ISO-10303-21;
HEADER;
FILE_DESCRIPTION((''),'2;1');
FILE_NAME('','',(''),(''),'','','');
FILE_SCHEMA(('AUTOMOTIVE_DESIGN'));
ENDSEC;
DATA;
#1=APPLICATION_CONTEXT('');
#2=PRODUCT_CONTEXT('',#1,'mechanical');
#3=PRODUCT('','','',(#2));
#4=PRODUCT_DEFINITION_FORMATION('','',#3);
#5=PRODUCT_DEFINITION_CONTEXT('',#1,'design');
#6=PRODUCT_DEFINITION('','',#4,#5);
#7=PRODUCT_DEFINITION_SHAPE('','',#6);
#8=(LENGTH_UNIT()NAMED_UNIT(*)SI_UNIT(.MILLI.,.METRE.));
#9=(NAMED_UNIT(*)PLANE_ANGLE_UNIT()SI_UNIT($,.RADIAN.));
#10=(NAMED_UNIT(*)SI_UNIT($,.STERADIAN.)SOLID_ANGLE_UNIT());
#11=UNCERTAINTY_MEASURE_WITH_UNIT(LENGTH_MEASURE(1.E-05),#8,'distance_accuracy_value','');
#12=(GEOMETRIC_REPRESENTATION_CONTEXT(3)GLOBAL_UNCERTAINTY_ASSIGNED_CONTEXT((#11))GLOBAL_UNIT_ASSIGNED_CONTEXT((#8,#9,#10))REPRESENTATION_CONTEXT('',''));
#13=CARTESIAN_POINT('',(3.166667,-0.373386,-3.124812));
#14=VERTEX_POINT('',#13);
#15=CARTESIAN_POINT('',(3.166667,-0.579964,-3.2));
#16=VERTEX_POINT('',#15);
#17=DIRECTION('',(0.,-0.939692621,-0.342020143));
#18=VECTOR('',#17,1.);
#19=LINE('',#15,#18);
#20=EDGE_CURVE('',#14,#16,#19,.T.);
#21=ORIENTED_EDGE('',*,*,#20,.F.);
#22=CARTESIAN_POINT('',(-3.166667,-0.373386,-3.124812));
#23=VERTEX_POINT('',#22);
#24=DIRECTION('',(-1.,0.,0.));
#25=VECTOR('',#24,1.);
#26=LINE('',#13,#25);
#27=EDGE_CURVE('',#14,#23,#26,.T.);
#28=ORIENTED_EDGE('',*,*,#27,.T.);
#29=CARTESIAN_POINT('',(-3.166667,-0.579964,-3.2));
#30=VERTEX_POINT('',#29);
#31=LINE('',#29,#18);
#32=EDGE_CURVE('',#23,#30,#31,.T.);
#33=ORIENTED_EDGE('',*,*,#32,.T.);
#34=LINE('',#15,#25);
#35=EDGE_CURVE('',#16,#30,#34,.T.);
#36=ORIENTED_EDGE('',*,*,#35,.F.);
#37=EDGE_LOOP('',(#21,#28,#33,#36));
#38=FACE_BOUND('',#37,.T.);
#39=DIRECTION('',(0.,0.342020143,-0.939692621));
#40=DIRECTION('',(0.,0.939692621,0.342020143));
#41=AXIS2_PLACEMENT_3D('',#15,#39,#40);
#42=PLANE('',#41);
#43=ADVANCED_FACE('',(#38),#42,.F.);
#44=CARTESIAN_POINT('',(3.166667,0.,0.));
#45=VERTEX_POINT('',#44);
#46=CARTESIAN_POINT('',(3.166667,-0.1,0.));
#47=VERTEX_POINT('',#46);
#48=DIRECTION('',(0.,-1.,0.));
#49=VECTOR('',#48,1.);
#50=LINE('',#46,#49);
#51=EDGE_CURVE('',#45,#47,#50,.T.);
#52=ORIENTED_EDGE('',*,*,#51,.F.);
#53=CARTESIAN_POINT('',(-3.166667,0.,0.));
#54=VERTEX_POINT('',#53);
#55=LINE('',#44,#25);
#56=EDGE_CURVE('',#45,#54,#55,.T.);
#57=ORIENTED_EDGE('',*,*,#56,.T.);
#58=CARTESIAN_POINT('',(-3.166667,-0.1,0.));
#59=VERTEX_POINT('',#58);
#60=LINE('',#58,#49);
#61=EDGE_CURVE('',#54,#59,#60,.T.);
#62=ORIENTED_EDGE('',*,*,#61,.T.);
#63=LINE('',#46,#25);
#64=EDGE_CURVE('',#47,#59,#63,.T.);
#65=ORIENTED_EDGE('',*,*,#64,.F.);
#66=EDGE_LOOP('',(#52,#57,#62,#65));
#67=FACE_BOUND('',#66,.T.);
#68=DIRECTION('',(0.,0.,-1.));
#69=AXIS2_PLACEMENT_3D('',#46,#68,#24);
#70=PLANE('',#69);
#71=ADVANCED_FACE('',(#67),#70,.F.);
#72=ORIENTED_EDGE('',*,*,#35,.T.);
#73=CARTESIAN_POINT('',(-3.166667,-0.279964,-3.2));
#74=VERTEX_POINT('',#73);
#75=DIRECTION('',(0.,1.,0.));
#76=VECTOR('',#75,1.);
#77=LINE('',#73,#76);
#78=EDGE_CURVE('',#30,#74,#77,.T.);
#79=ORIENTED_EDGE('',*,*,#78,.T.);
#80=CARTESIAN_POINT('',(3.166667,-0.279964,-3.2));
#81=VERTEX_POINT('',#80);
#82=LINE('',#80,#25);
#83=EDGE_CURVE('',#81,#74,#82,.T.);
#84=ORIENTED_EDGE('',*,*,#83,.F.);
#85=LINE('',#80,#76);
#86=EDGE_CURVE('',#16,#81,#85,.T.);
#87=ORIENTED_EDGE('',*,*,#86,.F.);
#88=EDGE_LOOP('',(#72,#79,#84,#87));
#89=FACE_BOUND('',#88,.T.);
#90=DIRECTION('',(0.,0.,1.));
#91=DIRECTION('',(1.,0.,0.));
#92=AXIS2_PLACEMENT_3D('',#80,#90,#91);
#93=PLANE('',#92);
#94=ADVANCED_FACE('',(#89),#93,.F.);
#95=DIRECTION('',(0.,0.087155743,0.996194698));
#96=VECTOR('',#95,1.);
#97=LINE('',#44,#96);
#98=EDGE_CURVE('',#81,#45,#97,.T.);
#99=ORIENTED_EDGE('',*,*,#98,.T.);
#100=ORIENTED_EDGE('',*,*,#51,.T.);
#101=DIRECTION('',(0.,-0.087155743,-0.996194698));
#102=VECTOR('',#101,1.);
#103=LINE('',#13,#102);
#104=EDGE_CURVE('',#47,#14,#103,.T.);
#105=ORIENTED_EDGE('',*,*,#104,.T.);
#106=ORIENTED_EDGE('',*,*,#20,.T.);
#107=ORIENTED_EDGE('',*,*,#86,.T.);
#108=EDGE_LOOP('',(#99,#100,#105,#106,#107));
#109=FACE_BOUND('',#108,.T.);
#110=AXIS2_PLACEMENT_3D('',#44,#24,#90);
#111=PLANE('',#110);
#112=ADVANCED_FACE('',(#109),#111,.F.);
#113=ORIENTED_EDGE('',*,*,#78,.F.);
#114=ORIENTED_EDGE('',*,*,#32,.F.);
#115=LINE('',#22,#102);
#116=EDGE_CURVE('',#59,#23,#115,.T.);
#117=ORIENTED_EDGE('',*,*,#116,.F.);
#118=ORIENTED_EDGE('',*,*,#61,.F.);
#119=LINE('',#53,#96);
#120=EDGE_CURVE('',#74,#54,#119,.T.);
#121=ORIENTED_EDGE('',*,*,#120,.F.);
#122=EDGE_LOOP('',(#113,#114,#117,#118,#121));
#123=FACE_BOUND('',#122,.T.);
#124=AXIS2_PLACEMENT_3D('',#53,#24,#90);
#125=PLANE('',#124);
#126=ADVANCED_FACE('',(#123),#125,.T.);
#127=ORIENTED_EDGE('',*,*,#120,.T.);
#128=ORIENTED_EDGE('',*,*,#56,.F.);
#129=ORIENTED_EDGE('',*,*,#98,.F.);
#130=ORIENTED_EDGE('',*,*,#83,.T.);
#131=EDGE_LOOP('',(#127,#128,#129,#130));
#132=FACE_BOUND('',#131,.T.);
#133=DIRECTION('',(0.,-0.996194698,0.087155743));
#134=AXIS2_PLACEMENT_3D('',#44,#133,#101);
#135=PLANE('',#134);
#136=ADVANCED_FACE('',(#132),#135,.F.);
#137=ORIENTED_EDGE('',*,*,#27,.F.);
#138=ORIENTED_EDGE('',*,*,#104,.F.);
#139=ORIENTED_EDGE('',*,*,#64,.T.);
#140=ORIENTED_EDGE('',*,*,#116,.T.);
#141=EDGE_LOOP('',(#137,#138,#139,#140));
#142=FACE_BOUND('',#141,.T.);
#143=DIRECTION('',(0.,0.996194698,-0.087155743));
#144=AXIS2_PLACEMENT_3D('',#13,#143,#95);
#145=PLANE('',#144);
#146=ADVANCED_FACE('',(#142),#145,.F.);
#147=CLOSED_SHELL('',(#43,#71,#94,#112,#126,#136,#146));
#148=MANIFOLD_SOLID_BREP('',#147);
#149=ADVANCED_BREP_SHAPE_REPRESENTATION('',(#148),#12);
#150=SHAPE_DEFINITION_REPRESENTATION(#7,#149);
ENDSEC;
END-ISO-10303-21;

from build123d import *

# Parameters (mm, degrees)
EXTRUDE1_DEPTH = 3.166666667


with BuildPart() as part:
    # Sketch1 → Extrude1 (new body, symmetric)
    with BuildSketch(Plane(origin=(0, 0, 0), x_dir=(0, 0, -1), z_dir=(1, 0, 0))):
        Polygon((0, 0), (3.2, -0.279963723), (3.2, -0.579963723), (3.124811712, -0.3733856), (0, -0.1), align=None)
    extrude(amount=EXTRUDE1_DEPTH, both=True)


solid = part.part
